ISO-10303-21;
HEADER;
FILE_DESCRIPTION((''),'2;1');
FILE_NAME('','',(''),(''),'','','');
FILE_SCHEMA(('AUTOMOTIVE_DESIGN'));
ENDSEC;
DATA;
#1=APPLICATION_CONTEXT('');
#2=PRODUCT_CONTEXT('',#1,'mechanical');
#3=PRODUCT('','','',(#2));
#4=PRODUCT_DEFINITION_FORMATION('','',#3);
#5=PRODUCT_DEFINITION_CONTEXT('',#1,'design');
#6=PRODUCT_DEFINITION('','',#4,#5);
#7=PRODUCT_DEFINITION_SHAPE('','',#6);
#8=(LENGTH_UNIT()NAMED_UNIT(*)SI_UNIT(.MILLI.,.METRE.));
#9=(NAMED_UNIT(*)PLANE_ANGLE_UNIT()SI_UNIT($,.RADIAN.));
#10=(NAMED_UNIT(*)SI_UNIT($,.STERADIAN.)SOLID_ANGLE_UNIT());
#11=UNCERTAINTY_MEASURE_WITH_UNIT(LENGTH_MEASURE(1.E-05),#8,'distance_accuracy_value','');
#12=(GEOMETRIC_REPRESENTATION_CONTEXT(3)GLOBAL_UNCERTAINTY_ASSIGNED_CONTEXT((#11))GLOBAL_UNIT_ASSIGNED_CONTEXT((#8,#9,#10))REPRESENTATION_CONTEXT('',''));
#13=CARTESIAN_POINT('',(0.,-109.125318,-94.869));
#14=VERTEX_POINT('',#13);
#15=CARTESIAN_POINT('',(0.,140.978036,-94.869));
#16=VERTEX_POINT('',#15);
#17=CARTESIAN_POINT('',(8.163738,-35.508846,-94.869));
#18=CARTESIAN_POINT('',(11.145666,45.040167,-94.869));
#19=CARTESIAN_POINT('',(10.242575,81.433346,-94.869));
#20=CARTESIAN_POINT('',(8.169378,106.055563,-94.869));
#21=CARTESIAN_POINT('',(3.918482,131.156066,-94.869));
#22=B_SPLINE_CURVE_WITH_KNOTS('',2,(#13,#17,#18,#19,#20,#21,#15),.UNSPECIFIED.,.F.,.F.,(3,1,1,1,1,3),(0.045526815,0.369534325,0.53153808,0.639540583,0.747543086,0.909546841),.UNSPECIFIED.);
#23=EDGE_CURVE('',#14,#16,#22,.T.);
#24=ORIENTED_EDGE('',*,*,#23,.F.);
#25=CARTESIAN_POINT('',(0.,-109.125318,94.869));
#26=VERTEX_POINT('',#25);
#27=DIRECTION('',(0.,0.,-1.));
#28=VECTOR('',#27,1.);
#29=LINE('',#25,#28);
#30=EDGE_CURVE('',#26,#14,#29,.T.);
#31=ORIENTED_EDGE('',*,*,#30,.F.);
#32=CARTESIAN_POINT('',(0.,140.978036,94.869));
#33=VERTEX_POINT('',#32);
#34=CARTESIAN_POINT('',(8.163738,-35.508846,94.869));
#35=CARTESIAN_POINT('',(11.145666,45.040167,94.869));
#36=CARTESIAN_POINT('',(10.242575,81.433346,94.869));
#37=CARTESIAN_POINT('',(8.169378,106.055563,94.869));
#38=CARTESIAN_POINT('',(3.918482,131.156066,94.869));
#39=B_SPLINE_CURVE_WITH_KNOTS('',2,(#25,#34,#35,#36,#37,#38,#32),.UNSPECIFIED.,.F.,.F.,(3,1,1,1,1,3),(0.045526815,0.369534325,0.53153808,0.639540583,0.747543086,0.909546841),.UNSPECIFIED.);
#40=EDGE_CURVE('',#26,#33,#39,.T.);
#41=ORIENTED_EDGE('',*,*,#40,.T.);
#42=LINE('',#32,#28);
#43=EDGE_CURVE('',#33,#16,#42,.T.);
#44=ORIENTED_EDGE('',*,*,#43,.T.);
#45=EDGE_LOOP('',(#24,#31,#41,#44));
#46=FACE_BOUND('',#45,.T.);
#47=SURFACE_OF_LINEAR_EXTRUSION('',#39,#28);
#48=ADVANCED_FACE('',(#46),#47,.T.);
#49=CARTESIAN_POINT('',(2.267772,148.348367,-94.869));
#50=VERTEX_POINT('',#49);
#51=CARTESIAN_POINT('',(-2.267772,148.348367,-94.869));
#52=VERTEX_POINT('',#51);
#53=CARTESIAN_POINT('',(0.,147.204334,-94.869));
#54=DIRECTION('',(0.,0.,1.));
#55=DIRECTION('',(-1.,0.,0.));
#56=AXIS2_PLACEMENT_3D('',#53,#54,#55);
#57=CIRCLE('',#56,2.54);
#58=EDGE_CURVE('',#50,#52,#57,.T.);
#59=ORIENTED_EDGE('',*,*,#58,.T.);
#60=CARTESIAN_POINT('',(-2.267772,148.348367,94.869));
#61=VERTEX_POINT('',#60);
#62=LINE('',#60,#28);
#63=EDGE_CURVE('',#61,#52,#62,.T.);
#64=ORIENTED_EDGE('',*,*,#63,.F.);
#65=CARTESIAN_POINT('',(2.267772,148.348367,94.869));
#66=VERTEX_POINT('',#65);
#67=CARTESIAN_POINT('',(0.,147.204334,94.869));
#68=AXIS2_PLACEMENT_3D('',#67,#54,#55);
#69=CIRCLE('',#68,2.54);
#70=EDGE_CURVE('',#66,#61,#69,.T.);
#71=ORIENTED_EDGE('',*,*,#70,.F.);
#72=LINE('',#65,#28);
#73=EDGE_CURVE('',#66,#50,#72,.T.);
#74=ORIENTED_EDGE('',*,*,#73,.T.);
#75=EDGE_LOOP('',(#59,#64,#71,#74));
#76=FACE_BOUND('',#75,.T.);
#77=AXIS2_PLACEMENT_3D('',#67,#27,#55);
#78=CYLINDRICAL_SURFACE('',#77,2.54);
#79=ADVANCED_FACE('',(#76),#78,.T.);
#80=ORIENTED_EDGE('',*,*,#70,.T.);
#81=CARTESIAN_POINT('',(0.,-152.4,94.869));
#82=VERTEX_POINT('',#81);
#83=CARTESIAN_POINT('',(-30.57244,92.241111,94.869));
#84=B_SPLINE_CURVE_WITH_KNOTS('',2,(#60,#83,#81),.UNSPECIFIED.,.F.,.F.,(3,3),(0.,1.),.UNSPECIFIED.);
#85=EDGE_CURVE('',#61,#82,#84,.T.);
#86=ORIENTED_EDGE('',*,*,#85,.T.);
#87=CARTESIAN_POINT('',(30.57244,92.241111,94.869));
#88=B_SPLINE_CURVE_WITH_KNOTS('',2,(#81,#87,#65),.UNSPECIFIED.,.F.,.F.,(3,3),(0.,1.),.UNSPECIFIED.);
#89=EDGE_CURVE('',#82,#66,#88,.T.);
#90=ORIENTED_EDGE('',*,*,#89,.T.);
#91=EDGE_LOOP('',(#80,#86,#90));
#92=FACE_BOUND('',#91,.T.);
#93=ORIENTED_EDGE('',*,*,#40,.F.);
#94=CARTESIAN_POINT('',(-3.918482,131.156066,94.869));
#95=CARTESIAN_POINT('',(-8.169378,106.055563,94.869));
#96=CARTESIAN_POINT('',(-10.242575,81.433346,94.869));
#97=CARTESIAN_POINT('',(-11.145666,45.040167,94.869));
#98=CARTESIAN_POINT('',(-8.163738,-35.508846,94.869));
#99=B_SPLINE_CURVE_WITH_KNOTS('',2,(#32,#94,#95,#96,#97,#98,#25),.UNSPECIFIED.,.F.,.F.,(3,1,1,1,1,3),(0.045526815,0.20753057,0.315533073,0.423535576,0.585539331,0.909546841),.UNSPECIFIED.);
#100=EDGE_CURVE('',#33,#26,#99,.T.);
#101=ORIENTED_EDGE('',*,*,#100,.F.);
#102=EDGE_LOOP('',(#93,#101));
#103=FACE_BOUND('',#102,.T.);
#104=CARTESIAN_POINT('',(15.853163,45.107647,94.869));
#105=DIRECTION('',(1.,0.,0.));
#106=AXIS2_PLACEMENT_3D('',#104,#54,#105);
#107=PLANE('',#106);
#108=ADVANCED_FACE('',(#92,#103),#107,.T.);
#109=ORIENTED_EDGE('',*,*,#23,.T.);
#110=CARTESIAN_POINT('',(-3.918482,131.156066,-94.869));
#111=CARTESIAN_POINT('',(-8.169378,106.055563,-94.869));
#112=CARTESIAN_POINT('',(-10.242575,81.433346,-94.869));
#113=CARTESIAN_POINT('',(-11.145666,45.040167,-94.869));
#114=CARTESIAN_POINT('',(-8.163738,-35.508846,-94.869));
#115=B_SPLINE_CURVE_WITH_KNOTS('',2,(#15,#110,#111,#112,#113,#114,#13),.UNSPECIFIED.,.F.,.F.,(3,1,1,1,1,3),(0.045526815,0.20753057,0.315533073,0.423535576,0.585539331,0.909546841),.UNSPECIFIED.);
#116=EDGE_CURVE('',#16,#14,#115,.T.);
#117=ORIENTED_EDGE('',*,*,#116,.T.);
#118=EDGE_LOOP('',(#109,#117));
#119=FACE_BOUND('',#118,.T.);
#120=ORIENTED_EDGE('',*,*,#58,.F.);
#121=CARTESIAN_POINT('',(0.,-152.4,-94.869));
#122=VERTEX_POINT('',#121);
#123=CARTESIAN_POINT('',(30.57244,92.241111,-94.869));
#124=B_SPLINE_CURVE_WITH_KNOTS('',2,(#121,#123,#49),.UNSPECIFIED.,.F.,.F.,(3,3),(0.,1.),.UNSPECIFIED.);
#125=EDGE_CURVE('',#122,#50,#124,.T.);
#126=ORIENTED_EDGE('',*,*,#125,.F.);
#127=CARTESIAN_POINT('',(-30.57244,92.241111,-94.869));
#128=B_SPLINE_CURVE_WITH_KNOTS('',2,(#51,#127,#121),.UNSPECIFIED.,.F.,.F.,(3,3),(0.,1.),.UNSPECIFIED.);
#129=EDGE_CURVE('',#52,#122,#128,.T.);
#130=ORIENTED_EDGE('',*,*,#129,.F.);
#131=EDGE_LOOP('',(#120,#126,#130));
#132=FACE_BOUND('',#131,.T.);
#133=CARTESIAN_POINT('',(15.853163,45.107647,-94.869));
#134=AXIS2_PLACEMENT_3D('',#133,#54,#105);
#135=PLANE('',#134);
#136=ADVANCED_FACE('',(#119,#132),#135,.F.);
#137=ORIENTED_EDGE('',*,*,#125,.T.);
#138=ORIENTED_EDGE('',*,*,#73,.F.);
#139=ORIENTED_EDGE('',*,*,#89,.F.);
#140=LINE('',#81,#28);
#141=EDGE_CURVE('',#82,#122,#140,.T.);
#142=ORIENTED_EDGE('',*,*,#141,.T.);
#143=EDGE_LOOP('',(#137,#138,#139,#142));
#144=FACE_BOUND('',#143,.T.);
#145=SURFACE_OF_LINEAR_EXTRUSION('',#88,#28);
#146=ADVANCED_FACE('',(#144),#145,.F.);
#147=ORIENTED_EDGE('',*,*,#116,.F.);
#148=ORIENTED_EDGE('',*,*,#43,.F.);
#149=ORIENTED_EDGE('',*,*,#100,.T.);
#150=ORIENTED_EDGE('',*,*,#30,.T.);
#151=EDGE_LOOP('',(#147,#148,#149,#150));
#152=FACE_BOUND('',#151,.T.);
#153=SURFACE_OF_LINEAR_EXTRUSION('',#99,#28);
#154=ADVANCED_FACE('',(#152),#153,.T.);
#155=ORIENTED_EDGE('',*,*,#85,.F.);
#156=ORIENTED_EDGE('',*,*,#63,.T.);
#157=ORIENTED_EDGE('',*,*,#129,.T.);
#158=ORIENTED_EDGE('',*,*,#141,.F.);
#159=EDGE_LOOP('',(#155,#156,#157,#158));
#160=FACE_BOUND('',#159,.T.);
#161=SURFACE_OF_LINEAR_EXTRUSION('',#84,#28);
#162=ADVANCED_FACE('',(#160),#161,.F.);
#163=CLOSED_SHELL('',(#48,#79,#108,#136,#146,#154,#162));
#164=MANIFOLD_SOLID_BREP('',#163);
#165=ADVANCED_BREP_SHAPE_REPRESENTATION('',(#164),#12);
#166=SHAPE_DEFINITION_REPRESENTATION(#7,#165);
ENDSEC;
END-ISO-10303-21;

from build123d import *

# Parameters (mm, degrees)
BOSS_EXTRUDE1_DEPTH = 94.869


with BuildPart() as part:
    # Sketch1 → Boss-Extrude1 (new, symmetric)
    with BuildSketch(Plane.XY):
        with BuildLine():
            ThreePointArc((-2.267771894, 148.348367024), (0, 149.744334404), (2.267771894, 148.348367024))
            add(Edge.make_bspline(
                [(2.267771894, 148.348367024), (30.572440123, 92.24111101), (0, -152.4)],
                knots=[0, 0, 0, 1, 1, 1], degree=2))
            add(Edge.make_bspline(
                [(-2.267771894, 148.348367024), (-30.572440123, 92.24111101), (0, -152.4)],
                knots=[0, 0, 0, 1, 1, 1], degree=2))
        make_face()
        with BuildLine():
            add(Edge.make_bspline(
                [(0, 140.978035645), (3.918482074, 131.156065717), (8.169378172, 106.05556313), (10.242574642, 81.433345605), (11.145665597, 45.040166844), (8.163737965, -35.508846412), (0, -109.12531842)],
                knots=[0.045526815, 0.045526815, 0.045526815, 0.20753057, 0.315533073, 0.423535576, 0.585539331, 0.909546841, 0.909546841, 0.909546841], degree=2))
            add(Edge.make_bspline(
                [(0, -109.12531842), (-8.163737965, -35.508846412), (-11.145665597, 45.040166844), (-10.242574642, 81.433345605), (-8.169378172, 106.05556313), (-3.918482074, 131.156065717), (0, 140.978035645)],
                knots=[0.045526815, 0.045526815, 0.045526815, 0.369534325, 0.53153808, 0.639540583, 0.747543086, 0.909546841, 0.909546841, 0.909546841], degree=2))
        make_face(mode=Mode.SUBTRACT)
    extrude(amount=BOSS_EXTRUDE1_DEPTH, both=True)


solid = part.part
